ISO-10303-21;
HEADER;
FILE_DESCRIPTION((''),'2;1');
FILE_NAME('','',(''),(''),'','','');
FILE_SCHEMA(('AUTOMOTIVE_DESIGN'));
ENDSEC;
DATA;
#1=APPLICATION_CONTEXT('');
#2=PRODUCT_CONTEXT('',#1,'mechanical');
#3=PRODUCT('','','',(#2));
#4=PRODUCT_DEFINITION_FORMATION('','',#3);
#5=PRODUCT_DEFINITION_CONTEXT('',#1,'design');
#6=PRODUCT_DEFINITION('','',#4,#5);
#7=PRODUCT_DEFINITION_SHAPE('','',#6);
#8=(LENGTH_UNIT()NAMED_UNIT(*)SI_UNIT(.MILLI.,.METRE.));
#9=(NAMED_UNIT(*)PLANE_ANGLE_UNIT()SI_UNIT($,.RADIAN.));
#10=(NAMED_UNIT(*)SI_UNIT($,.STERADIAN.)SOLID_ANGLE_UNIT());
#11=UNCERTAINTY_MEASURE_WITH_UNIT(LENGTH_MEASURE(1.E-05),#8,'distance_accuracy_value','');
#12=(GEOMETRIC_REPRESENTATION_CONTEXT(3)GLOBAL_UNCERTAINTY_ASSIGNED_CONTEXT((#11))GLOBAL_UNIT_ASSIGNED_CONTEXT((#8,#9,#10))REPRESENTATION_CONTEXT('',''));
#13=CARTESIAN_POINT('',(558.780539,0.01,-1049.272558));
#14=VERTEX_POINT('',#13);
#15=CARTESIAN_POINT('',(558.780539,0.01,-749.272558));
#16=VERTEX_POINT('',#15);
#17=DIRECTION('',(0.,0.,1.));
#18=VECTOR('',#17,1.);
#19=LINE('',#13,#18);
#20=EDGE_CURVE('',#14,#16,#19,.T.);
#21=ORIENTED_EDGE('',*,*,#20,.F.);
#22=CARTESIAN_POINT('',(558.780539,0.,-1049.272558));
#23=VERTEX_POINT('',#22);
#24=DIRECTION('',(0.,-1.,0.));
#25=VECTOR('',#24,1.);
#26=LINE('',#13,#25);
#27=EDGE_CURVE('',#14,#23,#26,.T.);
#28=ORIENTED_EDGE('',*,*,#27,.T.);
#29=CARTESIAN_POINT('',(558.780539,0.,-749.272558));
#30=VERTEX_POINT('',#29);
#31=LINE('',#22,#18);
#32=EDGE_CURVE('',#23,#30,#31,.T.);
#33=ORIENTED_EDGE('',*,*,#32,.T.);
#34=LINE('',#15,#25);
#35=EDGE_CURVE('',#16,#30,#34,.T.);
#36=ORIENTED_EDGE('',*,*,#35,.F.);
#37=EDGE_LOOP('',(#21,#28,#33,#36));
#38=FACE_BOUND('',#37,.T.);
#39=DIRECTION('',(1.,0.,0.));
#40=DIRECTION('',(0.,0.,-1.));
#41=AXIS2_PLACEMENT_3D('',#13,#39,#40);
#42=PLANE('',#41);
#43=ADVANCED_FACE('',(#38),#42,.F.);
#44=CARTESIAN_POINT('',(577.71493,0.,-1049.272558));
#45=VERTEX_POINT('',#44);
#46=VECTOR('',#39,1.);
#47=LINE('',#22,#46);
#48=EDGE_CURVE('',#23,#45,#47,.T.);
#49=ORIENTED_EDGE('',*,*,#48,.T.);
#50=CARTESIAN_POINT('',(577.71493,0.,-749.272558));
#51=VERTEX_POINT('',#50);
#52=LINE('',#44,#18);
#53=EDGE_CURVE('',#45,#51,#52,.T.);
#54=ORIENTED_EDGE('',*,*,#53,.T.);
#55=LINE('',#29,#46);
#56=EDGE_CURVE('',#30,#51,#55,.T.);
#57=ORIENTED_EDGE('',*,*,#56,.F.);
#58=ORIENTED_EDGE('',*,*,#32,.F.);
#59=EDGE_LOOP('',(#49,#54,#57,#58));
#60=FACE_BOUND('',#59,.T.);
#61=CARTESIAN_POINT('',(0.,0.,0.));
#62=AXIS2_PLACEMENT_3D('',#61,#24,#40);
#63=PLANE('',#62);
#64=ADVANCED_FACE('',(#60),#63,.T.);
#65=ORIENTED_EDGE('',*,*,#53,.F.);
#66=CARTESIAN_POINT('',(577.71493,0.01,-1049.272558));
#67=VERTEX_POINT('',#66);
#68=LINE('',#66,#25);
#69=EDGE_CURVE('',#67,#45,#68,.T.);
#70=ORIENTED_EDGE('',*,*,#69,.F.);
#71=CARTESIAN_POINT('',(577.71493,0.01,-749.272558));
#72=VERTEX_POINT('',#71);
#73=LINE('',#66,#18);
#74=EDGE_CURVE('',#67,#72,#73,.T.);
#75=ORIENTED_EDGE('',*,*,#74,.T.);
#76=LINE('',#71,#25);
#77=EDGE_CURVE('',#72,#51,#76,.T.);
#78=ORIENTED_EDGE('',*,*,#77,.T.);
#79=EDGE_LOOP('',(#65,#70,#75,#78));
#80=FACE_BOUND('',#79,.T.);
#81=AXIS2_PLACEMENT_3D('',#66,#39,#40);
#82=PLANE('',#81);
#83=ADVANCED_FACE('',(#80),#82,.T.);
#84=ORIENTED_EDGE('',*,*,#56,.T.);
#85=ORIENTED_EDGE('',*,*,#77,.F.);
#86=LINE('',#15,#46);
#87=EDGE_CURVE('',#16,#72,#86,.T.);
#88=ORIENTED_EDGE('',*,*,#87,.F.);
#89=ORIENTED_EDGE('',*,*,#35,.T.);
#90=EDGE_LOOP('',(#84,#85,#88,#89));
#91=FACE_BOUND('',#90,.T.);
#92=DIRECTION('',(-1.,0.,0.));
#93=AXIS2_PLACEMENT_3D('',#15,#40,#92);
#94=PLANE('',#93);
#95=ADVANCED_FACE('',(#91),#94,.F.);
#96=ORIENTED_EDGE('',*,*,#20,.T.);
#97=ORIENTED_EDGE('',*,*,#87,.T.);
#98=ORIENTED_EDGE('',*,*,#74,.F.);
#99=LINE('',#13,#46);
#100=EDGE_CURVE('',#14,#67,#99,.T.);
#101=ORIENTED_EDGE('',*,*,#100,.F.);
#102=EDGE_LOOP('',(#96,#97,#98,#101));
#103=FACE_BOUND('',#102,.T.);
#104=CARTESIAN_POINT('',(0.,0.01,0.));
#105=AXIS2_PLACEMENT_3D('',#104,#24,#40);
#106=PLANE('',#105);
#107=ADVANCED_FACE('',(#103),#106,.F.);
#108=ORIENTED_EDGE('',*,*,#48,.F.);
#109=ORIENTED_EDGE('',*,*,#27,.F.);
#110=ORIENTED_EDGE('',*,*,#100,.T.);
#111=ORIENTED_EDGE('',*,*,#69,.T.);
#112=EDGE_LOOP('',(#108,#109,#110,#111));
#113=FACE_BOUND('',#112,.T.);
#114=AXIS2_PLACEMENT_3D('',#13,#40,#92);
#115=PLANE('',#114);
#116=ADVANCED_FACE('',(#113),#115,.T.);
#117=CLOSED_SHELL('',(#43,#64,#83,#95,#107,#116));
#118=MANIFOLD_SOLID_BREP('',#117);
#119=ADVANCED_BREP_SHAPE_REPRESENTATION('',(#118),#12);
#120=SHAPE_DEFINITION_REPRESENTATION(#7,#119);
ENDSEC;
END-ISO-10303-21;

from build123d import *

# Parameters (mm, degrees)
ESBO_O1_W                = 18.934391243
ESBO_O1_H                = 300
RESSALTO_EXTRUS_O9_DEPTH = 0.01


with BuildPart() as part:
    # Esboço1 → Ressalto-extrusão9 (new body)
    with BuildSketch(Plane(origin=(0, 0, 0), x_dir=(1, 0, 0), z_dir=(0, 1, 0))):
        with Locations((568.247734453, 899.272557951)):
            Rectangle(ESBO_O1_W, ESBO_O1_H)
    extrude(amount=RESSALTO_EXTRUS_O9_DEPTH)


solid = part.part
